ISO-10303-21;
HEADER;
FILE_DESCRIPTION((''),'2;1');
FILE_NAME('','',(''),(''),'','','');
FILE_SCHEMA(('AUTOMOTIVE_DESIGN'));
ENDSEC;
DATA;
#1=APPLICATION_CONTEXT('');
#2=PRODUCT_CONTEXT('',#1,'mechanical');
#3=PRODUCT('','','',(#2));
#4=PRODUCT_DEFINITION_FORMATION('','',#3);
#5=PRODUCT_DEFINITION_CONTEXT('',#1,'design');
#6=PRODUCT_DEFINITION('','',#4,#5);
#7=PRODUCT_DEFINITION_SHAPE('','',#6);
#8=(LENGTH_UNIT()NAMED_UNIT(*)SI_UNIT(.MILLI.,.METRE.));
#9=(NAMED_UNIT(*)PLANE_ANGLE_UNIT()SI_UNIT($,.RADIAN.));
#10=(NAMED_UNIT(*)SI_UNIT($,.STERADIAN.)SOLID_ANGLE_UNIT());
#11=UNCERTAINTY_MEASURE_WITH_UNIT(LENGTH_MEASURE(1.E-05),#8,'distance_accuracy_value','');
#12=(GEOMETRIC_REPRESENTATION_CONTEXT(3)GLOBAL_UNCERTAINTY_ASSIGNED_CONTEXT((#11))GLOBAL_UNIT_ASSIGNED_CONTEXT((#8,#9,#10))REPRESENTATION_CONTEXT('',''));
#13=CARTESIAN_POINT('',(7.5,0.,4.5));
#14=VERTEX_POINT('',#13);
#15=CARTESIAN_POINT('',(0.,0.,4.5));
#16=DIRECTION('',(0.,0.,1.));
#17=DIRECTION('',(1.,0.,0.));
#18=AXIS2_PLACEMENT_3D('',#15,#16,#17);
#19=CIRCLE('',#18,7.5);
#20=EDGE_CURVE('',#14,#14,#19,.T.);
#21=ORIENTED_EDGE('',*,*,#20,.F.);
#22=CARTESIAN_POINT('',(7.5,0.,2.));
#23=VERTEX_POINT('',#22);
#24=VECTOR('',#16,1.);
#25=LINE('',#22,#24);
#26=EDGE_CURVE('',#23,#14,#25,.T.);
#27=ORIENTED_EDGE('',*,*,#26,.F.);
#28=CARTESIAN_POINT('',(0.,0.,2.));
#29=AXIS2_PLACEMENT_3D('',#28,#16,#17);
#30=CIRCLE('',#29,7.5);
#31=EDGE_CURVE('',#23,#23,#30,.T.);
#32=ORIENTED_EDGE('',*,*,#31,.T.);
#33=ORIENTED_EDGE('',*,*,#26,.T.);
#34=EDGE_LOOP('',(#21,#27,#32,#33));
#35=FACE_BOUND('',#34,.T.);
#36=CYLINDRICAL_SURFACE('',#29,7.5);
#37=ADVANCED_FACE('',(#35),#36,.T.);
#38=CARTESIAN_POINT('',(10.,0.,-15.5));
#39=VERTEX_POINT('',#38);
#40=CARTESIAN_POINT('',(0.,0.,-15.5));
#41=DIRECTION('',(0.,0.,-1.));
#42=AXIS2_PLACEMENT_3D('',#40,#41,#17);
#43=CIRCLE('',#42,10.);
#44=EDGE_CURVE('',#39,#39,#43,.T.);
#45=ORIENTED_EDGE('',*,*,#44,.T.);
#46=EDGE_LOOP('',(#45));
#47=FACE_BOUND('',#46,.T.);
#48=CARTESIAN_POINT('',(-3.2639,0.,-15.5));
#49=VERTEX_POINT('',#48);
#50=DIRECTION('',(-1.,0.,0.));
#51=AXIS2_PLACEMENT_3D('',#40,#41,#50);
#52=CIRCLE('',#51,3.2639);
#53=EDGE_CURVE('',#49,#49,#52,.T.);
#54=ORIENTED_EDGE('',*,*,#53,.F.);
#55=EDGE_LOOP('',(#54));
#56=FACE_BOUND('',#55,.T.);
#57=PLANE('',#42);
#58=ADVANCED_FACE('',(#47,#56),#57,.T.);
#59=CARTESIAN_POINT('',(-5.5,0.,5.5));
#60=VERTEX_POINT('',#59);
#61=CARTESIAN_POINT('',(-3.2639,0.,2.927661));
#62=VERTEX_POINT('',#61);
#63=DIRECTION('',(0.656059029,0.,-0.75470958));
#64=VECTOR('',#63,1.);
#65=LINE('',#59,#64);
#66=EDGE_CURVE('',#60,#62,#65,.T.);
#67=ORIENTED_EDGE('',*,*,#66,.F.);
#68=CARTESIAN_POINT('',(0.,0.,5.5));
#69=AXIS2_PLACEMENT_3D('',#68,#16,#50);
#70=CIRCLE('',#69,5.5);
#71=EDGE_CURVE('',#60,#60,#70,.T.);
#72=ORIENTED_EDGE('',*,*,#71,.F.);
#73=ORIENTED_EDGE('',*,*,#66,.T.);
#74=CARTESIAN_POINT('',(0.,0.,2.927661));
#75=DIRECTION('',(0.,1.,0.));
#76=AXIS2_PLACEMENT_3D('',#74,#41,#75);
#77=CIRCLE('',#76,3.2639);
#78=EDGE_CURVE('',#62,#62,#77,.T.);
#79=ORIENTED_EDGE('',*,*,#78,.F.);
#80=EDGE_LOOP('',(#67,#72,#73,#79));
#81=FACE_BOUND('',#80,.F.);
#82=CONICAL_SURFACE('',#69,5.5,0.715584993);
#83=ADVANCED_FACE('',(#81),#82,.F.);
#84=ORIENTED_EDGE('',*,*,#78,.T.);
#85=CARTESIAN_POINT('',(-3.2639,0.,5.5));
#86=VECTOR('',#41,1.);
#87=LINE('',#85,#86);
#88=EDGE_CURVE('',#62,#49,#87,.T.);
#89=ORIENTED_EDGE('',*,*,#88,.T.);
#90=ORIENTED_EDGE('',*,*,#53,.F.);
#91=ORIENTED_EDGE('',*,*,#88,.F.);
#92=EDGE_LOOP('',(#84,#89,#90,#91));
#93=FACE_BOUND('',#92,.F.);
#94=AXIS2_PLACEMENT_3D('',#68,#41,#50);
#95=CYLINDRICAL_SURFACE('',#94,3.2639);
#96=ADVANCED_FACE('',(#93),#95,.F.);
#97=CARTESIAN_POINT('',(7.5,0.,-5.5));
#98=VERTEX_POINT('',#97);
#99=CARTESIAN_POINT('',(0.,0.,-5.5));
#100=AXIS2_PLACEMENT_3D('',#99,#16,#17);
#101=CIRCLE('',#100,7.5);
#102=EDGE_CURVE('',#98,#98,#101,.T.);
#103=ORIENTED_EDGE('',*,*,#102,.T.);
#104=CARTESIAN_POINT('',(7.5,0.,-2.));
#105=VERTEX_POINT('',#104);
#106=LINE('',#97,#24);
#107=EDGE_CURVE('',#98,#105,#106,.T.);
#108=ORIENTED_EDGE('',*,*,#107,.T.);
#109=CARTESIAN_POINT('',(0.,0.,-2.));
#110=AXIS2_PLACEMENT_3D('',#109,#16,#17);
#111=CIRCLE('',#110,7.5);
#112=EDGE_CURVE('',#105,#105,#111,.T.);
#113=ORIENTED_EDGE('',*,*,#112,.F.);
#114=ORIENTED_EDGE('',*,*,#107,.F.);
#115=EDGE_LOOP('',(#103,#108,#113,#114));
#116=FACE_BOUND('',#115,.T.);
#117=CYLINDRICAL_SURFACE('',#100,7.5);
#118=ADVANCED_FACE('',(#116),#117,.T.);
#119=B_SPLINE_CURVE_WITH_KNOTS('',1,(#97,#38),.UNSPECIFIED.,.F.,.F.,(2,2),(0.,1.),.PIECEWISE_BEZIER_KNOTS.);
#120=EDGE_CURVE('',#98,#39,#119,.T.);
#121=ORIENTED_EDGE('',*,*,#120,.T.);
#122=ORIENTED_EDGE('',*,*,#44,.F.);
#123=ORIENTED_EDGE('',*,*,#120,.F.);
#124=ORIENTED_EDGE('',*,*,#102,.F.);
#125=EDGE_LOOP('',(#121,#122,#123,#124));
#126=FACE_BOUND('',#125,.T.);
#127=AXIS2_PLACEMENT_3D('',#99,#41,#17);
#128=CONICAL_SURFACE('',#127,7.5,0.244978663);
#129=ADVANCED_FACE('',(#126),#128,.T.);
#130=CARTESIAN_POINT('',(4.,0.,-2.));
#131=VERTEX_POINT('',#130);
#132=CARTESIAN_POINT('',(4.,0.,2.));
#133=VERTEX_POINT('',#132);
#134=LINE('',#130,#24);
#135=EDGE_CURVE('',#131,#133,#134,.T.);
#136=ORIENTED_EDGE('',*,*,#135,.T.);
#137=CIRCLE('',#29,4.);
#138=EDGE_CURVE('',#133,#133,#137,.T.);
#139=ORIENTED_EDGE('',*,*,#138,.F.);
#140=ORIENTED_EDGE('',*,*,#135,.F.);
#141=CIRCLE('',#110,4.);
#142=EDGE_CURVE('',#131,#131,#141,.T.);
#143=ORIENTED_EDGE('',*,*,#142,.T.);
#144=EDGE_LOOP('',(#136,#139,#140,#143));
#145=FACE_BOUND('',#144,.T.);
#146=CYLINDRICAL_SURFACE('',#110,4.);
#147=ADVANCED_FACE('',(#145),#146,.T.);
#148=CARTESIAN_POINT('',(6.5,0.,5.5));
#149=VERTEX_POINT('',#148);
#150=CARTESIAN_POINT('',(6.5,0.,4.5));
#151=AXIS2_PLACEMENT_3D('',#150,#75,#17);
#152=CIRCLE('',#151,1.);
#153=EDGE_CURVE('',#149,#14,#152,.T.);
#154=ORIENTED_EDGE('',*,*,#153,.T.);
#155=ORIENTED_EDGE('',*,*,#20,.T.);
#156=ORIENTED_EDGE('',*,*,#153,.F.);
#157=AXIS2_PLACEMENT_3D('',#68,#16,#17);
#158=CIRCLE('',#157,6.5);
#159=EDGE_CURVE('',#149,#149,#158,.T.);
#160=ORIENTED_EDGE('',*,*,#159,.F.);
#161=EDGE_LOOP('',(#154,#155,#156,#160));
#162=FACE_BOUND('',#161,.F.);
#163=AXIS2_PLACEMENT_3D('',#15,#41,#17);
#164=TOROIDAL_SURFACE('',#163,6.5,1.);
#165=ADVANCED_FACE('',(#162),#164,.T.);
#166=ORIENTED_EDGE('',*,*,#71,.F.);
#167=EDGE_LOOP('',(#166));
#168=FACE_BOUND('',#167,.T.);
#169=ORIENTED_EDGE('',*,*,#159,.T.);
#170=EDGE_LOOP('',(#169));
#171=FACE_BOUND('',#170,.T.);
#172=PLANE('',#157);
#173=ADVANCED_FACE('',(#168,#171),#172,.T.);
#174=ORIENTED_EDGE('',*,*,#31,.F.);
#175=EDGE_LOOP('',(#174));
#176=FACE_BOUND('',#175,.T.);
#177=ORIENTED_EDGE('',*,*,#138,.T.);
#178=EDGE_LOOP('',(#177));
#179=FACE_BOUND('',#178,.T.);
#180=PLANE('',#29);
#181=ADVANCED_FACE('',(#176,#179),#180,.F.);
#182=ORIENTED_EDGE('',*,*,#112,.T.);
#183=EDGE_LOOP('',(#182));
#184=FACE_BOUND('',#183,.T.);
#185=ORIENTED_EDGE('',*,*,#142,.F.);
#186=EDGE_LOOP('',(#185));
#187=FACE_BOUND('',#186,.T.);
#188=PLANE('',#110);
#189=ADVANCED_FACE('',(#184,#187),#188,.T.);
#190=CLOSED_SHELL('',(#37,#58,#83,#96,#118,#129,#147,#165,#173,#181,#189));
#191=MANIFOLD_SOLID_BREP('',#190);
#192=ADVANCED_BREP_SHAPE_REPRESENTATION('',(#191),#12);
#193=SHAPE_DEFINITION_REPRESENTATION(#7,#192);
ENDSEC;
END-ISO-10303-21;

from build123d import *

# Parameters (mm, degrees)
F1_FACE_R      = 7.5
F3_R           = 10
F6_D           = 6.5278
F6_CSINK_D     = 11
F6_CSINK_ANGLE = 82
F7_R           = 1


with BuildPart() as f1:
    # F0 (on Front) → F1 (revolve)
    with BuildSketch(Plane.XZ):
        Polygon((0, 5.5), (0, 0), (0, -5.5), (7.5, -5.5), (7.5, -2), (4, -2), (4, 0), (4, 2), (7.5, 2), (7.5, 5.5), align=None)
    revolve(axis=Axis((0, 0, 2.75), (0, 0, 1)))

    # F1_face (on face) → F4 section 0
    with BuildSketch(Plane(origin=(0, 0, -5.5), x_dir=(1, 0, 0), z_dir=(0, 0, -1))):
        Circle(F1_FACE_R)
    # F3 (on offset) → F4 section 1
    with BuildSketch(Plane(origin=(0, 0, -15.5), x_dir=(1, 0, 0), z_dir=(0, 0, -1))):
        Circle(F3_R)
    loft()

    # F6 (through all)
    with Locations(Plane.XY.offset(5.5)):
        with Locations((0, 0)):
            CounterSinkHole(F6_D / 2, F6_CSINK_D / 2, counter_sink_angle=F6_CSINK_ANGLE)

    # F7
    f7_edges = [f1.edges().sort_by_distance(p)[0] for p in [
        (-7.5, 0, 5.5),
    ]]
    fillet(f7_edges, radius=F7_R)


solid = f1.part
